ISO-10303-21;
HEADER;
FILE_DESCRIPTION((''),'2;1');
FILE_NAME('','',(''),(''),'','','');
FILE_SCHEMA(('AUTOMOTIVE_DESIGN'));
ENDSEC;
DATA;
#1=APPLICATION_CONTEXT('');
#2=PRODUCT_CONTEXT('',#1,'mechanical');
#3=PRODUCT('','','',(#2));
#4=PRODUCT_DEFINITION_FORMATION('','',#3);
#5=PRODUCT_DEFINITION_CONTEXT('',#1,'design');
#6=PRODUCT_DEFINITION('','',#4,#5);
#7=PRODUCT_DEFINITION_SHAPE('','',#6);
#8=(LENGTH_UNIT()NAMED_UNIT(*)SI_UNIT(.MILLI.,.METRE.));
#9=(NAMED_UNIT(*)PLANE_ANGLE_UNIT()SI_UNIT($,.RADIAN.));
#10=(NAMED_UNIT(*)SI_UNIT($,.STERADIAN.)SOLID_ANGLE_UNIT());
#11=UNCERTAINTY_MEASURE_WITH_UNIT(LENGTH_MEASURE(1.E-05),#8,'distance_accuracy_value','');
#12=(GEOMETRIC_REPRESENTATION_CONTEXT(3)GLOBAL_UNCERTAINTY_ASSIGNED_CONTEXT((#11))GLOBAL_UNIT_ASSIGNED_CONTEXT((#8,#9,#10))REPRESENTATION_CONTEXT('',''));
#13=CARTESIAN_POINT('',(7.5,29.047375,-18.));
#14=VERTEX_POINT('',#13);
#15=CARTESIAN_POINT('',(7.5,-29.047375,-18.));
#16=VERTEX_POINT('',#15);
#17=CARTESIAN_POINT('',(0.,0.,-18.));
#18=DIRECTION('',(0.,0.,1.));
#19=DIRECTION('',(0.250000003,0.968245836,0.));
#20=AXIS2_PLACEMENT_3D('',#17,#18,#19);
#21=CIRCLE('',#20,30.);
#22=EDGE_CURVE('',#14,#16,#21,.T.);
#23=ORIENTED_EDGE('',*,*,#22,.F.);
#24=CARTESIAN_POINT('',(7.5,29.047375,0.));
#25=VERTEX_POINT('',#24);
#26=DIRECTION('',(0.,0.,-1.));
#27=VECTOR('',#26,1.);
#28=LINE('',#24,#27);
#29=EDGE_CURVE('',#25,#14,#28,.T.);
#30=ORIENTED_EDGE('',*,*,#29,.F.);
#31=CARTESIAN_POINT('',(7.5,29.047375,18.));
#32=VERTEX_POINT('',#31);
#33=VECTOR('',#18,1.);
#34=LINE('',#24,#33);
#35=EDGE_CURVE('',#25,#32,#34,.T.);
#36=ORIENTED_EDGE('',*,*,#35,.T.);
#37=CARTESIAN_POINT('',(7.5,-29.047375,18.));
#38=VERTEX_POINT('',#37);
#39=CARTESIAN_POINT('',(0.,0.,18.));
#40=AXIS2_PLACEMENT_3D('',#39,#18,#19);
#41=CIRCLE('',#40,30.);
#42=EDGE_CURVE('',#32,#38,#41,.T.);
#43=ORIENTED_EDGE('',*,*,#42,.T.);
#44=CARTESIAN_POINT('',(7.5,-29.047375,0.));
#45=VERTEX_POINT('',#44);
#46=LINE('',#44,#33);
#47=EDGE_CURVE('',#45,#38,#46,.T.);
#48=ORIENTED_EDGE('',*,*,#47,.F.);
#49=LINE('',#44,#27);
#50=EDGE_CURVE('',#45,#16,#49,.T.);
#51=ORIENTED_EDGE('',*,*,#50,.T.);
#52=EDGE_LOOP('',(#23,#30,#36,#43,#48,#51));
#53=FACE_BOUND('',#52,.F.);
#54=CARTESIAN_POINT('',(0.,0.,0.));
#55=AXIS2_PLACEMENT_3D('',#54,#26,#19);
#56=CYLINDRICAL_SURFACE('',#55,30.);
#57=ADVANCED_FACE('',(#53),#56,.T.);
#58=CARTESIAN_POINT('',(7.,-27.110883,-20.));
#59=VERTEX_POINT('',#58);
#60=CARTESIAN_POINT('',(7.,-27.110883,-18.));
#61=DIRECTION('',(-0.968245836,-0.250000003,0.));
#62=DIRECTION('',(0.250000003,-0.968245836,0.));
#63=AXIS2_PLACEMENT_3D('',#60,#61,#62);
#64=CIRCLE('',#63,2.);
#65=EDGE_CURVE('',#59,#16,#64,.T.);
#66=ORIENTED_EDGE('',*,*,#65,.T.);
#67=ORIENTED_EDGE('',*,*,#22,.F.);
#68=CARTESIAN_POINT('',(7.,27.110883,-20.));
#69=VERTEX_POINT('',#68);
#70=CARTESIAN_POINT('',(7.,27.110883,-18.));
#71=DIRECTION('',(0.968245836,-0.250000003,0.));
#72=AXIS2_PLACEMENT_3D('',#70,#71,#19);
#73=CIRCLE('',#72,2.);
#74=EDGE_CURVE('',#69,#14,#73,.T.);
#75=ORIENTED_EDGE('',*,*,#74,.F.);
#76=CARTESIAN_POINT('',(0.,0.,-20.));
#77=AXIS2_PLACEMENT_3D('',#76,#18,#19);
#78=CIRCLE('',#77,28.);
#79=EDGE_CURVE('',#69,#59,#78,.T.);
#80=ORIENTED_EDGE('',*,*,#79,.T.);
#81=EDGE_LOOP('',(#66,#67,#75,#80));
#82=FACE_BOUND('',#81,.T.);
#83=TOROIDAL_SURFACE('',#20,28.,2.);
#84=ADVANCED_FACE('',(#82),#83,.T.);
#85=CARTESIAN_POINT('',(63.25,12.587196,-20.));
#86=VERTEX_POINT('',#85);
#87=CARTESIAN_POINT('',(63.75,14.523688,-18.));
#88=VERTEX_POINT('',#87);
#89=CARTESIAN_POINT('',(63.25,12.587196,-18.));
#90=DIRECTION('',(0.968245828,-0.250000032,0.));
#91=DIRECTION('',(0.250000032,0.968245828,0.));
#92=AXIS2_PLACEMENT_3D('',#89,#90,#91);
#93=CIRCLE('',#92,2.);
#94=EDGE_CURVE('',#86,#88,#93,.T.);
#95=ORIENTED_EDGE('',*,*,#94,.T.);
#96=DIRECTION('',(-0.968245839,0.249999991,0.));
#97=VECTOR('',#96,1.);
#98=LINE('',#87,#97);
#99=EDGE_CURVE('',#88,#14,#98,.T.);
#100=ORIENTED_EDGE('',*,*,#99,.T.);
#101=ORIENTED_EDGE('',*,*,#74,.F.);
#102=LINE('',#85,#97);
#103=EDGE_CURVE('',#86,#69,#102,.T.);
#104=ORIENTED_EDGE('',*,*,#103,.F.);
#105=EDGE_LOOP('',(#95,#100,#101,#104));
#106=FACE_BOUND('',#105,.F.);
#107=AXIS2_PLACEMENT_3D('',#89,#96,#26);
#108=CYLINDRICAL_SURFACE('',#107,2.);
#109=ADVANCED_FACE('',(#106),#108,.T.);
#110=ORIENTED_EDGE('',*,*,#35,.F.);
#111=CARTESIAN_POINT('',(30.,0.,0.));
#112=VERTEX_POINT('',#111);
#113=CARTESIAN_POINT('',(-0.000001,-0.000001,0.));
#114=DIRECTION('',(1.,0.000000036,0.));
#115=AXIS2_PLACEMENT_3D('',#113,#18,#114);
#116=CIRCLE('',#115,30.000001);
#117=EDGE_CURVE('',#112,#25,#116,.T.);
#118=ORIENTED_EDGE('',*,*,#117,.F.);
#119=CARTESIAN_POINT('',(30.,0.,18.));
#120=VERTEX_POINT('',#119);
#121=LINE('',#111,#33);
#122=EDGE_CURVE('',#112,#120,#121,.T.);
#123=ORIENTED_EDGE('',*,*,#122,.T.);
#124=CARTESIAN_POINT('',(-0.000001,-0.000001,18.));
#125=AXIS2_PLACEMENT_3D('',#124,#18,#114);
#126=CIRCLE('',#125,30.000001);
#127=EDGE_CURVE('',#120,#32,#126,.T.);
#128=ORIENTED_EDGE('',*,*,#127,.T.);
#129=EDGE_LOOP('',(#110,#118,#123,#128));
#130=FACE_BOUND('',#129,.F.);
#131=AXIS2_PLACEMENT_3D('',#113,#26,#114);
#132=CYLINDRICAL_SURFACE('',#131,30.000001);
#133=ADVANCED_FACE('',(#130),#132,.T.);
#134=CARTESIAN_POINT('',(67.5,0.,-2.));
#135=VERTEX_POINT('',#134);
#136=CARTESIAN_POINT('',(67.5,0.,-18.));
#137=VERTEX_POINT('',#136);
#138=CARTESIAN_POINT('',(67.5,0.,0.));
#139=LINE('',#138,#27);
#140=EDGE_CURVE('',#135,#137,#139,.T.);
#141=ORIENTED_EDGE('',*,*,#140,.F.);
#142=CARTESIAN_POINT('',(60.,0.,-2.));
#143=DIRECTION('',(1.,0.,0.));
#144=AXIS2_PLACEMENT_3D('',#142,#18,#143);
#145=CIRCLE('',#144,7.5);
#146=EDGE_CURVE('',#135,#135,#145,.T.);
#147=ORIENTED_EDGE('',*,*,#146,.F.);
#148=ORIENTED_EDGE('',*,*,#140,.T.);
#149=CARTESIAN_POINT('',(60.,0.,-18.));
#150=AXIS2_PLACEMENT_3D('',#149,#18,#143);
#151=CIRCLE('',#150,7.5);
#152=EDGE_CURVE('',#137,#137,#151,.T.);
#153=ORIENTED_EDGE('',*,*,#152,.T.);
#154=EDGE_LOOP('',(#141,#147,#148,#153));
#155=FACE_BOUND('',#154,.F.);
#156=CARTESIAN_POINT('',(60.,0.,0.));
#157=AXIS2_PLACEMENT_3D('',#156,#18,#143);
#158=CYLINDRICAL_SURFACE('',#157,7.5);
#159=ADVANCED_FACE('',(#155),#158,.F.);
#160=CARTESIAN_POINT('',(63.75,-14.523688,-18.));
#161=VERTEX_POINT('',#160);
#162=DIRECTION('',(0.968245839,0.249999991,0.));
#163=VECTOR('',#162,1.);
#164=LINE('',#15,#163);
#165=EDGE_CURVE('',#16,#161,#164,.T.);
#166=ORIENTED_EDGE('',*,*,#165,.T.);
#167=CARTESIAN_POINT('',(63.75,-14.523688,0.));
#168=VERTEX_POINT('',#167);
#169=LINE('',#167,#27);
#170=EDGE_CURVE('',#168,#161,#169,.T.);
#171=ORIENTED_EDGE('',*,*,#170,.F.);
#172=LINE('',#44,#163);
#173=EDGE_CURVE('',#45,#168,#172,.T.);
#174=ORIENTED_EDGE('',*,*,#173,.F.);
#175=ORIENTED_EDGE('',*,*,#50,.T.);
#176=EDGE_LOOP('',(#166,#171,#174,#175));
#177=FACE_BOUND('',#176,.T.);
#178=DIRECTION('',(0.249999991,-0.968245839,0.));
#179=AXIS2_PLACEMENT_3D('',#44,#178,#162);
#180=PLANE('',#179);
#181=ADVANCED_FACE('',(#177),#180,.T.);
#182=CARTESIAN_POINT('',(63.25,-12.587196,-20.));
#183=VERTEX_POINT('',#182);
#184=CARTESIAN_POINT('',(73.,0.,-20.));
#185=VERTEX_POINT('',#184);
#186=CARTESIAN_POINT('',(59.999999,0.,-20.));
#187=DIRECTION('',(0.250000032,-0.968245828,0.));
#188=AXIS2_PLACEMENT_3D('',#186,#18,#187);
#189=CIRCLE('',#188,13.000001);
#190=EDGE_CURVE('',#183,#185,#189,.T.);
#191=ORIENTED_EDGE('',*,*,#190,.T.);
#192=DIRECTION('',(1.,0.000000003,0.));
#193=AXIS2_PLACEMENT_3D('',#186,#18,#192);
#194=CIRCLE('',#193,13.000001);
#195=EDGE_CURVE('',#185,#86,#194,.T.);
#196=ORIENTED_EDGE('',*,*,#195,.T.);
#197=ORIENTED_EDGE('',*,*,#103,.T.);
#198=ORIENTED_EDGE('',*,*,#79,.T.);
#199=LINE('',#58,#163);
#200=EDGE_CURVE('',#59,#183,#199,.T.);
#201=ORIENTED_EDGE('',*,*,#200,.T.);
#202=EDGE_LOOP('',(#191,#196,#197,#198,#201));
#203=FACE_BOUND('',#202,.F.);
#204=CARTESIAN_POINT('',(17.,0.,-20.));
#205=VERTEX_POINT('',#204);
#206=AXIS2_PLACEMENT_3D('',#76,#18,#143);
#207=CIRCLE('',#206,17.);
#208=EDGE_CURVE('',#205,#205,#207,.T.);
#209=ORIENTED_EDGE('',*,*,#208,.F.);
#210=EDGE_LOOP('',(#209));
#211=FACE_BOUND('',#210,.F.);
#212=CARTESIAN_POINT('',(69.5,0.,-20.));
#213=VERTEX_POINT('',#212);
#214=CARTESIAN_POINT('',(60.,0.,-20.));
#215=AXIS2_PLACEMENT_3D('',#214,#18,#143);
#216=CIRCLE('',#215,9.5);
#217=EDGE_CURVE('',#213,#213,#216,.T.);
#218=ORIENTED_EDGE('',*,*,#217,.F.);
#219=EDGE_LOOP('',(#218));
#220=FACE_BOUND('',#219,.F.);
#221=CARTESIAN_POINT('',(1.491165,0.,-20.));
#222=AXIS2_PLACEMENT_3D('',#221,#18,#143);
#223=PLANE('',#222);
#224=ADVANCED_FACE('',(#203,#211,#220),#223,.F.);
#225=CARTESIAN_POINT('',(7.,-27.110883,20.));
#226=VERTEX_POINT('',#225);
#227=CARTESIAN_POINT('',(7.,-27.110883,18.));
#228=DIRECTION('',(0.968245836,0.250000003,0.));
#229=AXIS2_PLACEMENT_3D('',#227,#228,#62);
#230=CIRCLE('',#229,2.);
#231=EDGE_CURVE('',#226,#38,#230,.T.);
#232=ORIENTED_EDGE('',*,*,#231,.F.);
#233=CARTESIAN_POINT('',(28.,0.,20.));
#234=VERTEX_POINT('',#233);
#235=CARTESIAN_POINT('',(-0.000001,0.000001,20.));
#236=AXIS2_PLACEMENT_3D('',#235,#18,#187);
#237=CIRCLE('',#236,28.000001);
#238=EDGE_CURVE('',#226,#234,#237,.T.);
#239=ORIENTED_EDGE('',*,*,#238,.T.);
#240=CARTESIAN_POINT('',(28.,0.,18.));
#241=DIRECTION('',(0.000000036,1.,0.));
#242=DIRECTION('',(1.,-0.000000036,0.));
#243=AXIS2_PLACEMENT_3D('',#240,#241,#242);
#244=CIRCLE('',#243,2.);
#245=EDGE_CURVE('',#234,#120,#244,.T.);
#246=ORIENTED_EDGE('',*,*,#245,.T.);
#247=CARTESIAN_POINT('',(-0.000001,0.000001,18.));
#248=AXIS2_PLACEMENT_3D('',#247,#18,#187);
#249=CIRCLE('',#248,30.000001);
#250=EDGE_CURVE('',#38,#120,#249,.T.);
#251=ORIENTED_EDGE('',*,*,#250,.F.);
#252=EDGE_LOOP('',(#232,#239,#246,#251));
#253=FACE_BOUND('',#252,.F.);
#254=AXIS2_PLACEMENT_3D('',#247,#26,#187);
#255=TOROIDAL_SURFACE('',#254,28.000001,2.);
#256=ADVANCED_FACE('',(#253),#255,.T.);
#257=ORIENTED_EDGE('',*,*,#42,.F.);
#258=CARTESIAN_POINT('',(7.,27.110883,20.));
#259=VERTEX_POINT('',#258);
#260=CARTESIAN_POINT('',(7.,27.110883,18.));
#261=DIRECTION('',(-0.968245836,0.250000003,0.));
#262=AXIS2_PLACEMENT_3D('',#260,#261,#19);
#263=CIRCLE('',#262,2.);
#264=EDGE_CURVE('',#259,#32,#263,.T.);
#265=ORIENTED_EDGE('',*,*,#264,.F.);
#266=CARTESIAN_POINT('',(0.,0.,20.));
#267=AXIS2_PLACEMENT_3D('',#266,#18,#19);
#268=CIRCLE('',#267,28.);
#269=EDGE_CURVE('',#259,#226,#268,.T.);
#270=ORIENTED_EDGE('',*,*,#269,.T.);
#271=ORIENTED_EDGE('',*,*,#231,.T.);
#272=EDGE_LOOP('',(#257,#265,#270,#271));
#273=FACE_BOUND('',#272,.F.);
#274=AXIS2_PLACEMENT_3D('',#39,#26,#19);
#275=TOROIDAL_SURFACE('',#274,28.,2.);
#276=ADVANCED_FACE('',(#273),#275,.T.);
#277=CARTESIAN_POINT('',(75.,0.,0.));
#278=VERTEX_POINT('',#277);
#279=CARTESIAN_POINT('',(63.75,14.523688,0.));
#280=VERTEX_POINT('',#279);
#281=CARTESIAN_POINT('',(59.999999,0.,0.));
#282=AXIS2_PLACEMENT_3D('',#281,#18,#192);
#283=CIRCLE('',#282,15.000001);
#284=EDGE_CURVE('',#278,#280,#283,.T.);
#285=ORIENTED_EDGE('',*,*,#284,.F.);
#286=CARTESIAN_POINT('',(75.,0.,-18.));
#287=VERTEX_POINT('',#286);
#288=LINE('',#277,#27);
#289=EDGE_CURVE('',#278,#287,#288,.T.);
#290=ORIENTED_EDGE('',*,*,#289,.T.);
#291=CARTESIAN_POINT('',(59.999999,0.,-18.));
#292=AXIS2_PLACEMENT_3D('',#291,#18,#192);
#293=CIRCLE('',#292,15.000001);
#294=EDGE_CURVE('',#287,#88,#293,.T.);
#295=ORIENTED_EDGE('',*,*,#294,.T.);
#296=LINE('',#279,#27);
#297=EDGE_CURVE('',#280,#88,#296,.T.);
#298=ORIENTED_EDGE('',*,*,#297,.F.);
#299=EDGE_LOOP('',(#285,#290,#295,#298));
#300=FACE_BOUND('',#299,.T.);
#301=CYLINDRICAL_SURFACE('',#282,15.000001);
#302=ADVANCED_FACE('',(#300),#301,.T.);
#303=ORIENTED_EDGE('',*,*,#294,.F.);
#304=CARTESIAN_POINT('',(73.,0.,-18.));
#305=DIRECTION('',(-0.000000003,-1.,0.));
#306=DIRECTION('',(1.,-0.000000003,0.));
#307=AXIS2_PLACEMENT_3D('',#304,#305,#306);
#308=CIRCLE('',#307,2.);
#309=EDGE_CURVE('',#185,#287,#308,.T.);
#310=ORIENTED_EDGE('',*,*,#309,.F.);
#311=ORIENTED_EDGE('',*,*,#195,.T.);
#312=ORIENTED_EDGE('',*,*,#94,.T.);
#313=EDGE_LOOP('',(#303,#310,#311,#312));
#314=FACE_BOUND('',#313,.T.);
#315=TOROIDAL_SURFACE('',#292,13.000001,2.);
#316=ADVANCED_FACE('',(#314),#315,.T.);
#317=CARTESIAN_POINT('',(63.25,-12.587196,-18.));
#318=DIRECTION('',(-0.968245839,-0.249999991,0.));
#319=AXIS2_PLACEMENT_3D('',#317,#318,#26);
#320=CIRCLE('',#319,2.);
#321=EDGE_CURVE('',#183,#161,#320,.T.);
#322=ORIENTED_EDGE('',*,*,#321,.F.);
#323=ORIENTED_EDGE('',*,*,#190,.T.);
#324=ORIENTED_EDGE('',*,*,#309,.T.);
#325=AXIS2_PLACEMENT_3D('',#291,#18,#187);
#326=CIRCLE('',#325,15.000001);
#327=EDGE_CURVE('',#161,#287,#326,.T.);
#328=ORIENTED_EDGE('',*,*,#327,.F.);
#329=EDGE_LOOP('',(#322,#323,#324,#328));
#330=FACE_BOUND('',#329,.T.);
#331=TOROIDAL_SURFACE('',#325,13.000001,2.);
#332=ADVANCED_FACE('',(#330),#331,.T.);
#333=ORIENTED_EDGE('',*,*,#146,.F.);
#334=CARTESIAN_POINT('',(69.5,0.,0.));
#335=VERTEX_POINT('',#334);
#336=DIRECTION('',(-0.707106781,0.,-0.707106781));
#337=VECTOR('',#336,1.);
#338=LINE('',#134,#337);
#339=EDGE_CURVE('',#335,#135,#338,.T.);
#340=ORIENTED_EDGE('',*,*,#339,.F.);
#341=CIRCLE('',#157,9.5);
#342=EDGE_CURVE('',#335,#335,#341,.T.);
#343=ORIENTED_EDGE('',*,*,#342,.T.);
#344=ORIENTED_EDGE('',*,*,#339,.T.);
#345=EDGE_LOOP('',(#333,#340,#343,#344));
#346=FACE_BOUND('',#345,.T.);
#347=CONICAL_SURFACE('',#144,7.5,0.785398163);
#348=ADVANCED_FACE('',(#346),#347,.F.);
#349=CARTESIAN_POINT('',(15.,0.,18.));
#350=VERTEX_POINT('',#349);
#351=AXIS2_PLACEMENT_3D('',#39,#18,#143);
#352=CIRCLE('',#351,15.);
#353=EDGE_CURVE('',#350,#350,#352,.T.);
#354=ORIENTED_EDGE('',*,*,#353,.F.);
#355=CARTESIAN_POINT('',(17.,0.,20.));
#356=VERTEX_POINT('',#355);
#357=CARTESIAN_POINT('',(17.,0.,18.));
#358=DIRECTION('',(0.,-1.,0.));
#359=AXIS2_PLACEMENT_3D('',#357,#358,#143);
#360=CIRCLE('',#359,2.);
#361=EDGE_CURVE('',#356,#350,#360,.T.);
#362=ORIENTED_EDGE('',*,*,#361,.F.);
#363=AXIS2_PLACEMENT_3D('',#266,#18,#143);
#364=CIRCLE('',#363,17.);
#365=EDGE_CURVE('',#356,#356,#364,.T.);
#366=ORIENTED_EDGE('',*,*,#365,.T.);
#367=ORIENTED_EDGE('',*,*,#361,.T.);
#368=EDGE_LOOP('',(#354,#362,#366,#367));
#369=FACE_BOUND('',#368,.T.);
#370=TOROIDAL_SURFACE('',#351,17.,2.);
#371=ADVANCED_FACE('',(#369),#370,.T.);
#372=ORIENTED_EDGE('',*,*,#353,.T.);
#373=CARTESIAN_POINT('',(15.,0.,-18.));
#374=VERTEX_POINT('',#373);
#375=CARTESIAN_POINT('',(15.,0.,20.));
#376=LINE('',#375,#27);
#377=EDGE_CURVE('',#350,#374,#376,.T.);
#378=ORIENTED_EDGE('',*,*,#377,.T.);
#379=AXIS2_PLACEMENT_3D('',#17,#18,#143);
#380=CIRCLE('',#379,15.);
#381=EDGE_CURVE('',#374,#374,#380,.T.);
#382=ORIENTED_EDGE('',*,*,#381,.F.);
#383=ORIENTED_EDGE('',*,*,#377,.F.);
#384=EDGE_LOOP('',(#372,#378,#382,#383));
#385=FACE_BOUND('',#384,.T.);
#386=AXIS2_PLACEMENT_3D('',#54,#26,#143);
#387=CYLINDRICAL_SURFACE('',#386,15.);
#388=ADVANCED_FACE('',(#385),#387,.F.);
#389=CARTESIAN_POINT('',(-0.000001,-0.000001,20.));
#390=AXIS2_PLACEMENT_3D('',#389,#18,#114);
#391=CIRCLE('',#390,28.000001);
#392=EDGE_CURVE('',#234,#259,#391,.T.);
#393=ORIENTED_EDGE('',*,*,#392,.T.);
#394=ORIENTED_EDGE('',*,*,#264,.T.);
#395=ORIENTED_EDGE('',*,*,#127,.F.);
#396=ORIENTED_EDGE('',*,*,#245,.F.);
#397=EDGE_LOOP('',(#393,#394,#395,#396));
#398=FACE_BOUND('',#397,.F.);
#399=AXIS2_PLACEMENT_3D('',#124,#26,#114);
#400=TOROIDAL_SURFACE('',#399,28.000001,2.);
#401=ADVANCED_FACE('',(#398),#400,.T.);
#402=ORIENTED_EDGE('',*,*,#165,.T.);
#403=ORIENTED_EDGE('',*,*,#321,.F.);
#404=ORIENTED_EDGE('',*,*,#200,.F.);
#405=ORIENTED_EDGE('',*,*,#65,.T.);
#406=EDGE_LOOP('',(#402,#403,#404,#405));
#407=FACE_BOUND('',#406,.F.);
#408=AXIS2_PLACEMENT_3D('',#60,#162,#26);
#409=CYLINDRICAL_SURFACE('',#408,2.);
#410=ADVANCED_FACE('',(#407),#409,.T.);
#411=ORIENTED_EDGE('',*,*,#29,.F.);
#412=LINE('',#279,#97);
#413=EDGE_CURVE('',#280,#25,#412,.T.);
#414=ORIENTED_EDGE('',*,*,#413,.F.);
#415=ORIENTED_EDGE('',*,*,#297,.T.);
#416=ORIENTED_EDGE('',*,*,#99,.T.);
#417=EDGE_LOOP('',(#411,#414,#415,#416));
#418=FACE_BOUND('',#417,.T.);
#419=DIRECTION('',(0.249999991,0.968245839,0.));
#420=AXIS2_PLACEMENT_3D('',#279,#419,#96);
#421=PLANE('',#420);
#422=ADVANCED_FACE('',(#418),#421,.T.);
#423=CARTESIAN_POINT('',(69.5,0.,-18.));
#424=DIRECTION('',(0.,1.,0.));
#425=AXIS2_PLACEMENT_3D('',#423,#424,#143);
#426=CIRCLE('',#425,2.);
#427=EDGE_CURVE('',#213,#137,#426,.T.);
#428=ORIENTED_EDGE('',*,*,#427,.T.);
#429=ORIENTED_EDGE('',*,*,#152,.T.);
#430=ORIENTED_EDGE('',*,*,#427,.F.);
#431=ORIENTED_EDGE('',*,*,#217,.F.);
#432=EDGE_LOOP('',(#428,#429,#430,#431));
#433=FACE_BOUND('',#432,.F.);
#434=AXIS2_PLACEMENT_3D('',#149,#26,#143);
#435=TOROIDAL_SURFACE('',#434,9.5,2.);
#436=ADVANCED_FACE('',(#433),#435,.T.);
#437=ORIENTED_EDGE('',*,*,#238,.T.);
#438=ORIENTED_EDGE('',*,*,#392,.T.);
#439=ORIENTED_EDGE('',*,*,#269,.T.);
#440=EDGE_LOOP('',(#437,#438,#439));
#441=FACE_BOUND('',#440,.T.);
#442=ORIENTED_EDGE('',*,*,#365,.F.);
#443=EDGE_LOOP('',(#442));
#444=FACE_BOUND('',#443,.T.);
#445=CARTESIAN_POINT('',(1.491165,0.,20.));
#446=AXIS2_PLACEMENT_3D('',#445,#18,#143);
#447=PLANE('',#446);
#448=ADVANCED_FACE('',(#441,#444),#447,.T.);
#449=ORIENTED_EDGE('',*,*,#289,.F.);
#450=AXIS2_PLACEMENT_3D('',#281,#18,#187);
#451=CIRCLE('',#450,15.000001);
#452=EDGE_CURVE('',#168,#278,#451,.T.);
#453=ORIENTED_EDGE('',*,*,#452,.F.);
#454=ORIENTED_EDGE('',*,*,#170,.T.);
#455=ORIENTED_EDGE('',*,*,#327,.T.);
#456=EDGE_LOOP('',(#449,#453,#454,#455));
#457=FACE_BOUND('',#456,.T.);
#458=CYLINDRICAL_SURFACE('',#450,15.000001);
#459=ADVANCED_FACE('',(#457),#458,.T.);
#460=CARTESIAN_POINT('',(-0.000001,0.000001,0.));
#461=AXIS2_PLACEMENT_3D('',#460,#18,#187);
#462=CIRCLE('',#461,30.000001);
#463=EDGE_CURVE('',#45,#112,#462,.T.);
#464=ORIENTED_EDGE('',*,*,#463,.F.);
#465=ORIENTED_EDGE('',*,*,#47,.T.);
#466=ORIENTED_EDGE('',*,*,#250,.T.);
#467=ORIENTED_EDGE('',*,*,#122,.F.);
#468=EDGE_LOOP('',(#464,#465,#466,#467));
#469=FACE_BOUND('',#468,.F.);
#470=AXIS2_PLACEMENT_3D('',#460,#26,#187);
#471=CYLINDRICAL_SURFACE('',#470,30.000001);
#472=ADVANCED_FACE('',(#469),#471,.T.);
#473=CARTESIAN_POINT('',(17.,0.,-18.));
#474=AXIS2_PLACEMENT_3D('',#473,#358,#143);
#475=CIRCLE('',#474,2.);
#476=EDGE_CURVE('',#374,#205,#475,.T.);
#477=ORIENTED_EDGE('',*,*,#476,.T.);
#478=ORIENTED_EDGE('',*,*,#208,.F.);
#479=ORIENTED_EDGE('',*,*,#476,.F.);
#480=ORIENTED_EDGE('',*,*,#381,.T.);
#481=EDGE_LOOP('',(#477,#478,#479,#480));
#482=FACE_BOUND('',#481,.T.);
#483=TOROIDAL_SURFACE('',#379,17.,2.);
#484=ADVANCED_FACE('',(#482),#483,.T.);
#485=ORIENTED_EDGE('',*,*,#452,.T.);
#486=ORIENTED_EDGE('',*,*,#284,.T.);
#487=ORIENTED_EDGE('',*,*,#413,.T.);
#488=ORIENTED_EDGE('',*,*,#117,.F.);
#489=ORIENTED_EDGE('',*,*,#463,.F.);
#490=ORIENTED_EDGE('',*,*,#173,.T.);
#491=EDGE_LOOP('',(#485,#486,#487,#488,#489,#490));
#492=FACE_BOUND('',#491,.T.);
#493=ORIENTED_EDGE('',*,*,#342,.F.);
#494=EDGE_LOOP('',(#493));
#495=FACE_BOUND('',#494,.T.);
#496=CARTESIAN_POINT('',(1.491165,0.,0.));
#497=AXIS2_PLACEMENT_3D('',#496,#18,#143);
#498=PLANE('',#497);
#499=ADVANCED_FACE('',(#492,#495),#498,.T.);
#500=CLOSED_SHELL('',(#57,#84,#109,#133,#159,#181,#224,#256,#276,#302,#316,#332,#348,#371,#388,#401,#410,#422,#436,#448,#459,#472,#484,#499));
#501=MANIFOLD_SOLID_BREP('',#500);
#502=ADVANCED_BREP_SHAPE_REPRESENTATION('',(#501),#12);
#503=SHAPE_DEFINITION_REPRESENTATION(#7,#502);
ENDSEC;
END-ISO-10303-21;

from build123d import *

# Parameters (mm, degrees)
F0_R     = 15
F0_R_2   = 7.5
F1_DEPTH = 20
F2_DEPTH = 20
F3_R     = 2
F4_SIZE  = 2


with BuildPart() as f1:
    # F0 (on Top) → F1 (new body)
    with BuildSketch(Plane.XY):
        with BuildLine():
            ThreePointArc((7.5, -29.047375), (23.717082, -18.371173), (30, 0))
            ThreePointArc((30, 0), (23.717082, 18.371173), (7.5, 29.047375))
            ThreePointArc((7.5, 29.047375), (-30, 0), (7.5, -29.047375))
        make_face()
        Circle(F0_R, mode=Mode.SUBTRACT)
        with BuildLine():
            ThreePointArc((7.5, 29.047375), (23.717082, 18.371173), (30, 0))
            ThreePointArc((30, 0), (23.717082, -18.371173), (7.5, -29.047375))
            Line((7.5, -29.047375), (63.75, -14.523688))
            ThreePointArc((63.75, -14.523688), (45, 0), (63.75, 14.523688))
            Line((63.75, 14.523688), (7.5, 29.047375))
        make_face()
        with BuildLine():
            ThreePointArc((75, 0), (71.858541, 9.185587), (63.75, 14.523688))
            ThreePointArc((63.75, 14.523688), (45, 0), (63.75, -14.523688))
            ThreePointArc((63.75, -14.523688), (71.858541, -9.185587), (75, 0))
        make_face()
        with Locations((60, 0)):
            Circle(F0_R_2, mode=Mode.SUBTRACT)
    extrude(amount=-F1_DEPTH)

    # F0 (on Top) → F2 (join)
    with BuildSketch(Plane.XY):
        with BuildLine():
            ThreePointArc((7.5, -29.047375), (23.717082, -18.371173), (30, 0))
            ThreePointArc((30, 0), (23.717082, 18.371173), (7.5, 29.047375))
            ThreePointArc((7.5, 29.047375), (-30, 0), (7.5, -29.047375))
        make_face()
        Circle(F0_R, mode=Mode.SUBTRACT)
    extrude(amount=F2_DEPTH)

    # F3
    f3_edges = [f1.edges().sort_by_distance(p)[0] for p in [
        (-7.5, 29.047375, 20),
        (-15, 0, 20),
        (-30, 0, -20),
        (35.625, -21.785531, -20),
        (75, 0, -20),
        (35.625, 21.785531, -20),
        (-15, 0, -20),
        (52.5, 0, -20),
    ]]
    fillet(f3_edges, radius=F3_R)

    # F4
    f4_edges = [f1.edges().sort_by_distance(p)[0] for p in [
        (52.5, 0, 0),
    ]]
    chamfer(f4_edges, length=F4_SIZE)


solid = f1.part
